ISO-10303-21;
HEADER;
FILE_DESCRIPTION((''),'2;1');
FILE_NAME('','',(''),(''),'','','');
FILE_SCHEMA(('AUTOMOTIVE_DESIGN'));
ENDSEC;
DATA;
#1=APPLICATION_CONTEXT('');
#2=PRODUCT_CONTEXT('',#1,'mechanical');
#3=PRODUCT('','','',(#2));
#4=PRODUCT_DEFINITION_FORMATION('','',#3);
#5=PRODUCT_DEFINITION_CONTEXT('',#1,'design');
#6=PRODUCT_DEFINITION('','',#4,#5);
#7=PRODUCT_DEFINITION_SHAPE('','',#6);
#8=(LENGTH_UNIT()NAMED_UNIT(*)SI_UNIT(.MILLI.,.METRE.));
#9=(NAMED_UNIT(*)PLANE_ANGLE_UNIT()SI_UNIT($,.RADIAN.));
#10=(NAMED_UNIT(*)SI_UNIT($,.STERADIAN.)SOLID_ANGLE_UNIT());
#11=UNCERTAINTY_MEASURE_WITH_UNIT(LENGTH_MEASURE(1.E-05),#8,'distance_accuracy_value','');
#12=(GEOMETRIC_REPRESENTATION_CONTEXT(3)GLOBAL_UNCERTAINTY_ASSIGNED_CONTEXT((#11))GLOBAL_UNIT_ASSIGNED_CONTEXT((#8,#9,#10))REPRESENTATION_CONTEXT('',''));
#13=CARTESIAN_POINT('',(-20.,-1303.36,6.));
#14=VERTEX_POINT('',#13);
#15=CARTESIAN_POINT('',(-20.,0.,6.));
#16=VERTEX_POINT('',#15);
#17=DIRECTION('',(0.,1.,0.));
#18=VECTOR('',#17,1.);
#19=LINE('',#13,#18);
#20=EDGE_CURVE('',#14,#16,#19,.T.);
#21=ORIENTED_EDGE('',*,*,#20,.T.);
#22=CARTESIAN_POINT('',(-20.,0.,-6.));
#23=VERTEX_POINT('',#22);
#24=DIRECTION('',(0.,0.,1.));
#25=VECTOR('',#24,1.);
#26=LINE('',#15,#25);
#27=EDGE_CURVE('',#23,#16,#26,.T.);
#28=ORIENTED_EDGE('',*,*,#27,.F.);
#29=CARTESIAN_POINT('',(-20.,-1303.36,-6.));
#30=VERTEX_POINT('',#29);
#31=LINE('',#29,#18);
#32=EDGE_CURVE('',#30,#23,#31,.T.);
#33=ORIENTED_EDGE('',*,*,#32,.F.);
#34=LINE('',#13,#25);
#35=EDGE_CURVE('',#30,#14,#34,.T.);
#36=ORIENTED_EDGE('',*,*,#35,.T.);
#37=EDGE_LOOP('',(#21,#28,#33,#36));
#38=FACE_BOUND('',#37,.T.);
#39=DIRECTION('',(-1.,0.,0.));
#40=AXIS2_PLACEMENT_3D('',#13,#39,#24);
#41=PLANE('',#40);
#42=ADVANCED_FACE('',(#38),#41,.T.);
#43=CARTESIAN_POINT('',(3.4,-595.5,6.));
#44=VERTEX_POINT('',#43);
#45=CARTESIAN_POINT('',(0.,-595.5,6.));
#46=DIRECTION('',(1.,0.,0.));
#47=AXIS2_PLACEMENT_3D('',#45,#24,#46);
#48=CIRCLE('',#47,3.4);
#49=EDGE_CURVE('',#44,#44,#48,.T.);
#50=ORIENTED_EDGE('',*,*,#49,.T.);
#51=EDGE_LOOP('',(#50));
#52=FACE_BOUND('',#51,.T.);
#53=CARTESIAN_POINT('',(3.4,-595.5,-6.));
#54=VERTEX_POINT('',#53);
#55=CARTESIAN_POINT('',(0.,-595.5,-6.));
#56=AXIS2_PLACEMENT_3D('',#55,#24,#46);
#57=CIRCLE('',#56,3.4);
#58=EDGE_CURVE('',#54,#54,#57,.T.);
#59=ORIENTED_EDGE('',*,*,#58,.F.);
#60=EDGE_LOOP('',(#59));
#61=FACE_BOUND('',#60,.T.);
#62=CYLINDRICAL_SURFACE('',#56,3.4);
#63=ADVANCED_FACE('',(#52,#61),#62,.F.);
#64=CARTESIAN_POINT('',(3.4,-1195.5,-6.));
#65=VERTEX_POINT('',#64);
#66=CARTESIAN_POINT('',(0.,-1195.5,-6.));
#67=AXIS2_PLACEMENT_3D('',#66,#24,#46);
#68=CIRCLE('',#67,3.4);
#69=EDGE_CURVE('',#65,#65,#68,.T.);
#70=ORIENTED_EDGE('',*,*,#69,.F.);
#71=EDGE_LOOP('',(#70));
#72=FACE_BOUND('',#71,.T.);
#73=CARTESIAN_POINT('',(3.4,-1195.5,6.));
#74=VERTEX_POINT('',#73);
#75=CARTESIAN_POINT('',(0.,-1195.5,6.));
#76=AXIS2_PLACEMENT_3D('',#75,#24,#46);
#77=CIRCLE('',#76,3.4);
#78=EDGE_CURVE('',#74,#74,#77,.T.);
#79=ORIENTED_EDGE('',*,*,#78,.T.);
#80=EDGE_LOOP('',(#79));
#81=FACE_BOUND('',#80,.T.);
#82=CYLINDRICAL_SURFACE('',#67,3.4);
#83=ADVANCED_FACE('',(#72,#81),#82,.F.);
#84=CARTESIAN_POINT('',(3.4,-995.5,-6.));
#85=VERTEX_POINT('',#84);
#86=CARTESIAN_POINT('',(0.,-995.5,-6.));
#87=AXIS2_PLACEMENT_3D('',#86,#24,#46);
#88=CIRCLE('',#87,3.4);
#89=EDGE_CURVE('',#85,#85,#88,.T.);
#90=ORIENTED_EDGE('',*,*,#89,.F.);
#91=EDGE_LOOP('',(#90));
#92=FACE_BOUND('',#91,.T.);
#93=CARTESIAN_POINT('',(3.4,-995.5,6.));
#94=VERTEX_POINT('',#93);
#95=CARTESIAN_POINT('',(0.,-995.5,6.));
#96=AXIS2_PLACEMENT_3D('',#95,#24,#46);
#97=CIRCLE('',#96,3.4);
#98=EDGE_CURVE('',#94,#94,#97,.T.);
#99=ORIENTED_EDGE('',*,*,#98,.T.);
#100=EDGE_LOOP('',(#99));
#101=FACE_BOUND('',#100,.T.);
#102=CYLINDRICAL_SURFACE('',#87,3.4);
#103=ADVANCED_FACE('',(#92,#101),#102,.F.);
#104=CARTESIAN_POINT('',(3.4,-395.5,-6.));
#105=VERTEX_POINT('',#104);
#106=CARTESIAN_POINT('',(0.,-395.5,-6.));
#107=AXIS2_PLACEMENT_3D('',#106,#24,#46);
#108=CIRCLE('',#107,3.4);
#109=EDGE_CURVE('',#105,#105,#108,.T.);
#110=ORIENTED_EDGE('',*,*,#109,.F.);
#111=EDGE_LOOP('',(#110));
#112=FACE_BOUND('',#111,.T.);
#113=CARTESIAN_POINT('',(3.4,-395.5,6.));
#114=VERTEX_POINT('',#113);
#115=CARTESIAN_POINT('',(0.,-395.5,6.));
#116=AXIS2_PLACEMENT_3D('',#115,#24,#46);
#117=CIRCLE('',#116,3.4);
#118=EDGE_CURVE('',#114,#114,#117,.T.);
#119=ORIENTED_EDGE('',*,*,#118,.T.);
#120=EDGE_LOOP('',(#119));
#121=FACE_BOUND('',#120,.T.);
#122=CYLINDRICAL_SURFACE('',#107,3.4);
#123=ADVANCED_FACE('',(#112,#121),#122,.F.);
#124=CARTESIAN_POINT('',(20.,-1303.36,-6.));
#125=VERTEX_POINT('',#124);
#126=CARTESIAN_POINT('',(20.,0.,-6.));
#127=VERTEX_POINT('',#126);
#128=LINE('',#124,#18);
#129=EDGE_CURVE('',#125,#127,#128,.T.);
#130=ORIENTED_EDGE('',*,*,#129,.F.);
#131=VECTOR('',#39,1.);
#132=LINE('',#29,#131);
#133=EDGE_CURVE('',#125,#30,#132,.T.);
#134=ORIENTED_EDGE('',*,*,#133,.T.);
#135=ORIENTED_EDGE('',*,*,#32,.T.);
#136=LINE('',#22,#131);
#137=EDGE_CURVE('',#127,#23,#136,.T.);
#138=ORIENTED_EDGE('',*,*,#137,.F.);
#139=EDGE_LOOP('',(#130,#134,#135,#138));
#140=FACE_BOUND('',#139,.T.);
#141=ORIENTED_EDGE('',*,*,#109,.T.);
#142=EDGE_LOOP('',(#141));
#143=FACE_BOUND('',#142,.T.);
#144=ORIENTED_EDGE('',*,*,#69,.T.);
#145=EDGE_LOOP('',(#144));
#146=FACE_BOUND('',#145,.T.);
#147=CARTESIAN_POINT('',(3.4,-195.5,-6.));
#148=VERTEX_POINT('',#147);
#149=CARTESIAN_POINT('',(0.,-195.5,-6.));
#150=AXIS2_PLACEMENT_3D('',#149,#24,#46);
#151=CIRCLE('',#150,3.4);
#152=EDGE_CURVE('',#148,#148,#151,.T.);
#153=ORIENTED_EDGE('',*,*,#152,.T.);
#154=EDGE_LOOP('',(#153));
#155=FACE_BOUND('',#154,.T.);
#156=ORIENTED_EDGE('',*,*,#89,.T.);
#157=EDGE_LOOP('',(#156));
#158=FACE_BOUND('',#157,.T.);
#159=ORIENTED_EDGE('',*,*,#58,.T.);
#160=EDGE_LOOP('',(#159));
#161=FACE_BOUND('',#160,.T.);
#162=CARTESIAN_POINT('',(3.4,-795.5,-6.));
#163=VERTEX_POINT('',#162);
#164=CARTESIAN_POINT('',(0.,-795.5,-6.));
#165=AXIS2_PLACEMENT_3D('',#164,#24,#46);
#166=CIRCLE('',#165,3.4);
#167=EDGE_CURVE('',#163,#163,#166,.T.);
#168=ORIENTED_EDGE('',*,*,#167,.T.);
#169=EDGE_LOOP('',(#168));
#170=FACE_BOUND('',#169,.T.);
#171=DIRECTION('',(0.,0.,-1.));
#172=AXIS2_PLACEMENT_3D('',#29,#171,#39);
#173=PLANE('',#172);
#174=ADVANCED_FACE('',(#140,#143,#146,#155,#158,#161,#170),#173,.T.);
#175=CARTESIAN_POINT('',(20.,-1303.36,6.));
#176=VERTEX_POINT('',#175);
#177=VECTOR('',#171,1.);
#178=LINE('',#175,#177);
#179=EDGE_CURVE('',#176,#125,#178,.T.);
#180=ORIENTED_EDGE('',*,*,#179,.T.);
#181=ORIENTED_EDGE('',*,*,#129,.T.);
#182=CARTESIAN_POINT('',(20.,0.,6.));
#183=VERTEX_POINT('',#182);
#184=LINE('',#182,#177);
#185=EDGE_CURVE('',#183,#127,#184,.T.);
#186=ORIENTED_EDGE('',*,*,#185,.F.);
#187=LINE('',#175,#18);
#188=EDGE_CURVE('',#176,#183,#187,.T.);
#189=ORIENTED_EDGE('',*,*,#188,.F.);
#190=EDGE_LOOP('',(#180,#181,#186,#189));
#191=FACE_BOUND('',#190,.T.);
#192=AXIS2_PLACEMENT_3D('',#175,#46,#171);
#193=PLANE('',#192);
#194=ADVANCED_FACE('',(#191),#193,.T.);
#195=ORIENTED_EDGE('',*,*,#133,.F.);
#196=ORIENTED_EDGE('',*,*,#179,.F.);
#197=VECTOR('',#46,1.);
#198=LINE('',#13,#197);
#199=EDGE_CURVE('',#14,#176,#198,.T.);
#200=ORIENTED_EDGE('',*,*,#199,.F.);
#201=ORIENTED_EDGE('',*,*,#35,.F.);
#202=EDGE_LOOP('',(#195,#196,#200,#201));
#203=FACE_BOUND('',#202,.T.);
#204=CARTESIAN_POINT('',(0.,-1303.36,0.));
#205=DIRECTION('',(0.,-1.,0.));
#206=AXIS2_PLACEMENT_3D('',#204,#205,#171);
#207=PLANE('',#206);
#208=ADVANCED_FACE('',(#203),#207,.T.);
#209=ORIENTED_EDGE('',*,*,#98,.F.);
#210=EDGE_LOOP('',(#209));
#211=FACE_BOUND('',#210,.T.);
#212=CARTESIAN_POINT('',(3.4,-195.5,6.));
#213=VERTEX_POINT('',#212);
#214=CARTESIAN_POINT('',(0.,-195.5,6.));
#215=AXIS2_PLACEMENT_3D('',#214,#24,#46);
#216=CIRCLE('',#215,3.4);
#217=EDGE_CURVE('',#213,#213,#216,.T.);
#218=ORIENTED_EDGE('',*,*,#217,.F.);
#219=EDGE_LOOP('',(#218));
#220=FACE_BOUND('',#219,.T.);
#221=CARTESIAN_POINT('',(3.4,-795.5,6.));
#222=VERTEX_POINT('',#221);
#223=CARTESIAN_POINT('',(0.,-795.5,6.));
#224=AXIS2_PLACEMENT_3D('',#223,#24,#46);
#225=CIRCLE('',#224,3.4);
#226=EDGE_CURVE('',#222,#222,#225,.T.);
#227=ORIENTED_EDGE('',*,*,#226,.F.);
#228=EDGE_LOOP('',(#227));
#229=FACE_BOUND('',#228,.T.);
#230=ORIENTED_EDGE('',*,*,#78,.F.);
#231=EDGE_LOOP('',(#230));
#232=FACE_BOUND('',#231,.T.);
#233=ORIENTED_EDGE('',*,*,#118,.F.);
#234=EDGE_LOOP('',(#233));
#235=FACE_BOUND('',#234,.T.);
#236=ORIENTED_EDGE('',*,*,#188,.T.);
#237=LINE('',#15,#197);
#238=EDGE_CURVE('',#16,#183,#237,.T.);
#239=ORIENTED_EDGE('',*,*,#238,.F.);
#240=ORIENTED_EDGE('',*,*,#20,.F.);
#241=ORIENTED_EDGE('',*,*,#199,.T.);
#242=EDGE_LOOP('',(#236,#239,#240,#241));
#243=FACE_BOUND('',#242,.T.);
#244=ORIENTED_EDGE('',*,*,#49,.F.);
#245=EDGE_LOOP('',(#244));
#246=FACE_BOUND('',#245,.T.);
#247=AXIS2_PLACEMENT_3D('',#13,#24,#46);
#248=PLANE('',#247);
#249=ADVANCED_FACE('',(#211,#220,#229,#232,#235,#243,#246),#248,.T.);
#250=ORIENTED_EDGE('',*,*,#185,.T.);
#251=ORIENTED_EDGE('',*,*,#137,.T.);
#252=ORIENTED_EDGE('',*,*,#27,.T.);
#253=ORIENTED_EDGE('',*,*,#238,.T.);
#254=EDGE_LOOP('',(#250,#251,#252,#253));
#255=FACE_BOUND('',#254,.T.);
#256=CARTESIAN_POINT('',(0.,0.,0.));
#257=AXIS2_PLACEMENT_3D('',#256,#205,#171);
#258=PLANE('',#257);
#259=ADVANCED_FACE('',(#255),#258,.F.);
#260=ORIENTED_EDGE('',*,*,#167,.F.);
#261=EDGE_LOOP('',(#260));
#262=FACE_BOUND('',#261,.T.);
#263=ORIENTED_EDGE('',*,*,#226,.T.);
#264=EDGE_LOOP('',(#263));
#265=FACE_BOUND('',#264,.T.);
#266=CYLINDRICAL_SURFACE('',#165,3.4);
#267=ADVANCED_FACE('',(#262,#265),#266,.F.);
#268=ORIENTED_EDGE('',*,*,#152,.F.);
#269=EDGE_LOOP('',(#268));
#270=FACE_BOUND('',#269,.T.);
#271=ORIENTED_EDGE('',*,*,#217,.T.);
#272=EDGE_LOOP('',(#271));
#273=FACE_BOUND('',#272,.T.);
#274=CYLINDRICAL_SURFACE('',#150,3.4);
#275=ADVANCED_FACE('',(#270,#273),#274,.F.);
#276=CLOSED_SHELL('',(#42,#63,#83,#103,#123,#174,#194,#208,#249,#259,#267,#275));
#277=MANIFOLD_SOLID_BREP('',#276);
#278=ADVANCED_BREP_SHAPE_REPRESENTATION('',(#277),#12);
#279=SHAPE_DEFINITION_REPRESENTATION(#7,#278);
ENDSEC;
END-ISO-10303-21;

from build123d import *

# Parameters (mm, degrees)
SKETCH1_W           = 40
SKETCH1_H           = 12
BOSS_EXTRUDE1_DEPTH = 1303.36
SKETCH2_R           = 3.4
CUT_EXTRUDE1_DEPTH  = 13


with BuildPart() as part:
    # Sketch1 → Boss-Extrude1 (new body)
    with BuildSketch(Plane(origin=(0, 0, 0), x_dir=(1, 0, 0), z_dir=(0, 1, 0))):
        Rectangle(SKETCH1_W, SKETCH1_H)
    extrude(amount=-BOSS_EXTRUDE1_DEPTH)

    # Sketch2 → Cut-Extrude1 (cut, through all)
    with BuildSketch(Plane.XY.offset(6)):
        with Locations((0, -995.5)):
            Circle(SKETCH2_R)
        with Locations((0, -795.5)):
            Circle(SKETCH2_R)
        with Locations((0, -395.5)):
            Circle(SKETCH2_R)
        with Locations((0, -195.5)):
            Circle(SKETCH2_R)
        with Locations((0, 4.5)):
            Circle(SKETCH2_R)
        with Locations((0, -595.5)):
            Circle(SKETCH2_R)
        with Locations((0, -1195.5)):
            Circle(SKETCH2_R)
    extrude(amount=-CUT_EXTRUDE1_DEPTH, mode=Mode.SUBTRACT)


solid = part.part
